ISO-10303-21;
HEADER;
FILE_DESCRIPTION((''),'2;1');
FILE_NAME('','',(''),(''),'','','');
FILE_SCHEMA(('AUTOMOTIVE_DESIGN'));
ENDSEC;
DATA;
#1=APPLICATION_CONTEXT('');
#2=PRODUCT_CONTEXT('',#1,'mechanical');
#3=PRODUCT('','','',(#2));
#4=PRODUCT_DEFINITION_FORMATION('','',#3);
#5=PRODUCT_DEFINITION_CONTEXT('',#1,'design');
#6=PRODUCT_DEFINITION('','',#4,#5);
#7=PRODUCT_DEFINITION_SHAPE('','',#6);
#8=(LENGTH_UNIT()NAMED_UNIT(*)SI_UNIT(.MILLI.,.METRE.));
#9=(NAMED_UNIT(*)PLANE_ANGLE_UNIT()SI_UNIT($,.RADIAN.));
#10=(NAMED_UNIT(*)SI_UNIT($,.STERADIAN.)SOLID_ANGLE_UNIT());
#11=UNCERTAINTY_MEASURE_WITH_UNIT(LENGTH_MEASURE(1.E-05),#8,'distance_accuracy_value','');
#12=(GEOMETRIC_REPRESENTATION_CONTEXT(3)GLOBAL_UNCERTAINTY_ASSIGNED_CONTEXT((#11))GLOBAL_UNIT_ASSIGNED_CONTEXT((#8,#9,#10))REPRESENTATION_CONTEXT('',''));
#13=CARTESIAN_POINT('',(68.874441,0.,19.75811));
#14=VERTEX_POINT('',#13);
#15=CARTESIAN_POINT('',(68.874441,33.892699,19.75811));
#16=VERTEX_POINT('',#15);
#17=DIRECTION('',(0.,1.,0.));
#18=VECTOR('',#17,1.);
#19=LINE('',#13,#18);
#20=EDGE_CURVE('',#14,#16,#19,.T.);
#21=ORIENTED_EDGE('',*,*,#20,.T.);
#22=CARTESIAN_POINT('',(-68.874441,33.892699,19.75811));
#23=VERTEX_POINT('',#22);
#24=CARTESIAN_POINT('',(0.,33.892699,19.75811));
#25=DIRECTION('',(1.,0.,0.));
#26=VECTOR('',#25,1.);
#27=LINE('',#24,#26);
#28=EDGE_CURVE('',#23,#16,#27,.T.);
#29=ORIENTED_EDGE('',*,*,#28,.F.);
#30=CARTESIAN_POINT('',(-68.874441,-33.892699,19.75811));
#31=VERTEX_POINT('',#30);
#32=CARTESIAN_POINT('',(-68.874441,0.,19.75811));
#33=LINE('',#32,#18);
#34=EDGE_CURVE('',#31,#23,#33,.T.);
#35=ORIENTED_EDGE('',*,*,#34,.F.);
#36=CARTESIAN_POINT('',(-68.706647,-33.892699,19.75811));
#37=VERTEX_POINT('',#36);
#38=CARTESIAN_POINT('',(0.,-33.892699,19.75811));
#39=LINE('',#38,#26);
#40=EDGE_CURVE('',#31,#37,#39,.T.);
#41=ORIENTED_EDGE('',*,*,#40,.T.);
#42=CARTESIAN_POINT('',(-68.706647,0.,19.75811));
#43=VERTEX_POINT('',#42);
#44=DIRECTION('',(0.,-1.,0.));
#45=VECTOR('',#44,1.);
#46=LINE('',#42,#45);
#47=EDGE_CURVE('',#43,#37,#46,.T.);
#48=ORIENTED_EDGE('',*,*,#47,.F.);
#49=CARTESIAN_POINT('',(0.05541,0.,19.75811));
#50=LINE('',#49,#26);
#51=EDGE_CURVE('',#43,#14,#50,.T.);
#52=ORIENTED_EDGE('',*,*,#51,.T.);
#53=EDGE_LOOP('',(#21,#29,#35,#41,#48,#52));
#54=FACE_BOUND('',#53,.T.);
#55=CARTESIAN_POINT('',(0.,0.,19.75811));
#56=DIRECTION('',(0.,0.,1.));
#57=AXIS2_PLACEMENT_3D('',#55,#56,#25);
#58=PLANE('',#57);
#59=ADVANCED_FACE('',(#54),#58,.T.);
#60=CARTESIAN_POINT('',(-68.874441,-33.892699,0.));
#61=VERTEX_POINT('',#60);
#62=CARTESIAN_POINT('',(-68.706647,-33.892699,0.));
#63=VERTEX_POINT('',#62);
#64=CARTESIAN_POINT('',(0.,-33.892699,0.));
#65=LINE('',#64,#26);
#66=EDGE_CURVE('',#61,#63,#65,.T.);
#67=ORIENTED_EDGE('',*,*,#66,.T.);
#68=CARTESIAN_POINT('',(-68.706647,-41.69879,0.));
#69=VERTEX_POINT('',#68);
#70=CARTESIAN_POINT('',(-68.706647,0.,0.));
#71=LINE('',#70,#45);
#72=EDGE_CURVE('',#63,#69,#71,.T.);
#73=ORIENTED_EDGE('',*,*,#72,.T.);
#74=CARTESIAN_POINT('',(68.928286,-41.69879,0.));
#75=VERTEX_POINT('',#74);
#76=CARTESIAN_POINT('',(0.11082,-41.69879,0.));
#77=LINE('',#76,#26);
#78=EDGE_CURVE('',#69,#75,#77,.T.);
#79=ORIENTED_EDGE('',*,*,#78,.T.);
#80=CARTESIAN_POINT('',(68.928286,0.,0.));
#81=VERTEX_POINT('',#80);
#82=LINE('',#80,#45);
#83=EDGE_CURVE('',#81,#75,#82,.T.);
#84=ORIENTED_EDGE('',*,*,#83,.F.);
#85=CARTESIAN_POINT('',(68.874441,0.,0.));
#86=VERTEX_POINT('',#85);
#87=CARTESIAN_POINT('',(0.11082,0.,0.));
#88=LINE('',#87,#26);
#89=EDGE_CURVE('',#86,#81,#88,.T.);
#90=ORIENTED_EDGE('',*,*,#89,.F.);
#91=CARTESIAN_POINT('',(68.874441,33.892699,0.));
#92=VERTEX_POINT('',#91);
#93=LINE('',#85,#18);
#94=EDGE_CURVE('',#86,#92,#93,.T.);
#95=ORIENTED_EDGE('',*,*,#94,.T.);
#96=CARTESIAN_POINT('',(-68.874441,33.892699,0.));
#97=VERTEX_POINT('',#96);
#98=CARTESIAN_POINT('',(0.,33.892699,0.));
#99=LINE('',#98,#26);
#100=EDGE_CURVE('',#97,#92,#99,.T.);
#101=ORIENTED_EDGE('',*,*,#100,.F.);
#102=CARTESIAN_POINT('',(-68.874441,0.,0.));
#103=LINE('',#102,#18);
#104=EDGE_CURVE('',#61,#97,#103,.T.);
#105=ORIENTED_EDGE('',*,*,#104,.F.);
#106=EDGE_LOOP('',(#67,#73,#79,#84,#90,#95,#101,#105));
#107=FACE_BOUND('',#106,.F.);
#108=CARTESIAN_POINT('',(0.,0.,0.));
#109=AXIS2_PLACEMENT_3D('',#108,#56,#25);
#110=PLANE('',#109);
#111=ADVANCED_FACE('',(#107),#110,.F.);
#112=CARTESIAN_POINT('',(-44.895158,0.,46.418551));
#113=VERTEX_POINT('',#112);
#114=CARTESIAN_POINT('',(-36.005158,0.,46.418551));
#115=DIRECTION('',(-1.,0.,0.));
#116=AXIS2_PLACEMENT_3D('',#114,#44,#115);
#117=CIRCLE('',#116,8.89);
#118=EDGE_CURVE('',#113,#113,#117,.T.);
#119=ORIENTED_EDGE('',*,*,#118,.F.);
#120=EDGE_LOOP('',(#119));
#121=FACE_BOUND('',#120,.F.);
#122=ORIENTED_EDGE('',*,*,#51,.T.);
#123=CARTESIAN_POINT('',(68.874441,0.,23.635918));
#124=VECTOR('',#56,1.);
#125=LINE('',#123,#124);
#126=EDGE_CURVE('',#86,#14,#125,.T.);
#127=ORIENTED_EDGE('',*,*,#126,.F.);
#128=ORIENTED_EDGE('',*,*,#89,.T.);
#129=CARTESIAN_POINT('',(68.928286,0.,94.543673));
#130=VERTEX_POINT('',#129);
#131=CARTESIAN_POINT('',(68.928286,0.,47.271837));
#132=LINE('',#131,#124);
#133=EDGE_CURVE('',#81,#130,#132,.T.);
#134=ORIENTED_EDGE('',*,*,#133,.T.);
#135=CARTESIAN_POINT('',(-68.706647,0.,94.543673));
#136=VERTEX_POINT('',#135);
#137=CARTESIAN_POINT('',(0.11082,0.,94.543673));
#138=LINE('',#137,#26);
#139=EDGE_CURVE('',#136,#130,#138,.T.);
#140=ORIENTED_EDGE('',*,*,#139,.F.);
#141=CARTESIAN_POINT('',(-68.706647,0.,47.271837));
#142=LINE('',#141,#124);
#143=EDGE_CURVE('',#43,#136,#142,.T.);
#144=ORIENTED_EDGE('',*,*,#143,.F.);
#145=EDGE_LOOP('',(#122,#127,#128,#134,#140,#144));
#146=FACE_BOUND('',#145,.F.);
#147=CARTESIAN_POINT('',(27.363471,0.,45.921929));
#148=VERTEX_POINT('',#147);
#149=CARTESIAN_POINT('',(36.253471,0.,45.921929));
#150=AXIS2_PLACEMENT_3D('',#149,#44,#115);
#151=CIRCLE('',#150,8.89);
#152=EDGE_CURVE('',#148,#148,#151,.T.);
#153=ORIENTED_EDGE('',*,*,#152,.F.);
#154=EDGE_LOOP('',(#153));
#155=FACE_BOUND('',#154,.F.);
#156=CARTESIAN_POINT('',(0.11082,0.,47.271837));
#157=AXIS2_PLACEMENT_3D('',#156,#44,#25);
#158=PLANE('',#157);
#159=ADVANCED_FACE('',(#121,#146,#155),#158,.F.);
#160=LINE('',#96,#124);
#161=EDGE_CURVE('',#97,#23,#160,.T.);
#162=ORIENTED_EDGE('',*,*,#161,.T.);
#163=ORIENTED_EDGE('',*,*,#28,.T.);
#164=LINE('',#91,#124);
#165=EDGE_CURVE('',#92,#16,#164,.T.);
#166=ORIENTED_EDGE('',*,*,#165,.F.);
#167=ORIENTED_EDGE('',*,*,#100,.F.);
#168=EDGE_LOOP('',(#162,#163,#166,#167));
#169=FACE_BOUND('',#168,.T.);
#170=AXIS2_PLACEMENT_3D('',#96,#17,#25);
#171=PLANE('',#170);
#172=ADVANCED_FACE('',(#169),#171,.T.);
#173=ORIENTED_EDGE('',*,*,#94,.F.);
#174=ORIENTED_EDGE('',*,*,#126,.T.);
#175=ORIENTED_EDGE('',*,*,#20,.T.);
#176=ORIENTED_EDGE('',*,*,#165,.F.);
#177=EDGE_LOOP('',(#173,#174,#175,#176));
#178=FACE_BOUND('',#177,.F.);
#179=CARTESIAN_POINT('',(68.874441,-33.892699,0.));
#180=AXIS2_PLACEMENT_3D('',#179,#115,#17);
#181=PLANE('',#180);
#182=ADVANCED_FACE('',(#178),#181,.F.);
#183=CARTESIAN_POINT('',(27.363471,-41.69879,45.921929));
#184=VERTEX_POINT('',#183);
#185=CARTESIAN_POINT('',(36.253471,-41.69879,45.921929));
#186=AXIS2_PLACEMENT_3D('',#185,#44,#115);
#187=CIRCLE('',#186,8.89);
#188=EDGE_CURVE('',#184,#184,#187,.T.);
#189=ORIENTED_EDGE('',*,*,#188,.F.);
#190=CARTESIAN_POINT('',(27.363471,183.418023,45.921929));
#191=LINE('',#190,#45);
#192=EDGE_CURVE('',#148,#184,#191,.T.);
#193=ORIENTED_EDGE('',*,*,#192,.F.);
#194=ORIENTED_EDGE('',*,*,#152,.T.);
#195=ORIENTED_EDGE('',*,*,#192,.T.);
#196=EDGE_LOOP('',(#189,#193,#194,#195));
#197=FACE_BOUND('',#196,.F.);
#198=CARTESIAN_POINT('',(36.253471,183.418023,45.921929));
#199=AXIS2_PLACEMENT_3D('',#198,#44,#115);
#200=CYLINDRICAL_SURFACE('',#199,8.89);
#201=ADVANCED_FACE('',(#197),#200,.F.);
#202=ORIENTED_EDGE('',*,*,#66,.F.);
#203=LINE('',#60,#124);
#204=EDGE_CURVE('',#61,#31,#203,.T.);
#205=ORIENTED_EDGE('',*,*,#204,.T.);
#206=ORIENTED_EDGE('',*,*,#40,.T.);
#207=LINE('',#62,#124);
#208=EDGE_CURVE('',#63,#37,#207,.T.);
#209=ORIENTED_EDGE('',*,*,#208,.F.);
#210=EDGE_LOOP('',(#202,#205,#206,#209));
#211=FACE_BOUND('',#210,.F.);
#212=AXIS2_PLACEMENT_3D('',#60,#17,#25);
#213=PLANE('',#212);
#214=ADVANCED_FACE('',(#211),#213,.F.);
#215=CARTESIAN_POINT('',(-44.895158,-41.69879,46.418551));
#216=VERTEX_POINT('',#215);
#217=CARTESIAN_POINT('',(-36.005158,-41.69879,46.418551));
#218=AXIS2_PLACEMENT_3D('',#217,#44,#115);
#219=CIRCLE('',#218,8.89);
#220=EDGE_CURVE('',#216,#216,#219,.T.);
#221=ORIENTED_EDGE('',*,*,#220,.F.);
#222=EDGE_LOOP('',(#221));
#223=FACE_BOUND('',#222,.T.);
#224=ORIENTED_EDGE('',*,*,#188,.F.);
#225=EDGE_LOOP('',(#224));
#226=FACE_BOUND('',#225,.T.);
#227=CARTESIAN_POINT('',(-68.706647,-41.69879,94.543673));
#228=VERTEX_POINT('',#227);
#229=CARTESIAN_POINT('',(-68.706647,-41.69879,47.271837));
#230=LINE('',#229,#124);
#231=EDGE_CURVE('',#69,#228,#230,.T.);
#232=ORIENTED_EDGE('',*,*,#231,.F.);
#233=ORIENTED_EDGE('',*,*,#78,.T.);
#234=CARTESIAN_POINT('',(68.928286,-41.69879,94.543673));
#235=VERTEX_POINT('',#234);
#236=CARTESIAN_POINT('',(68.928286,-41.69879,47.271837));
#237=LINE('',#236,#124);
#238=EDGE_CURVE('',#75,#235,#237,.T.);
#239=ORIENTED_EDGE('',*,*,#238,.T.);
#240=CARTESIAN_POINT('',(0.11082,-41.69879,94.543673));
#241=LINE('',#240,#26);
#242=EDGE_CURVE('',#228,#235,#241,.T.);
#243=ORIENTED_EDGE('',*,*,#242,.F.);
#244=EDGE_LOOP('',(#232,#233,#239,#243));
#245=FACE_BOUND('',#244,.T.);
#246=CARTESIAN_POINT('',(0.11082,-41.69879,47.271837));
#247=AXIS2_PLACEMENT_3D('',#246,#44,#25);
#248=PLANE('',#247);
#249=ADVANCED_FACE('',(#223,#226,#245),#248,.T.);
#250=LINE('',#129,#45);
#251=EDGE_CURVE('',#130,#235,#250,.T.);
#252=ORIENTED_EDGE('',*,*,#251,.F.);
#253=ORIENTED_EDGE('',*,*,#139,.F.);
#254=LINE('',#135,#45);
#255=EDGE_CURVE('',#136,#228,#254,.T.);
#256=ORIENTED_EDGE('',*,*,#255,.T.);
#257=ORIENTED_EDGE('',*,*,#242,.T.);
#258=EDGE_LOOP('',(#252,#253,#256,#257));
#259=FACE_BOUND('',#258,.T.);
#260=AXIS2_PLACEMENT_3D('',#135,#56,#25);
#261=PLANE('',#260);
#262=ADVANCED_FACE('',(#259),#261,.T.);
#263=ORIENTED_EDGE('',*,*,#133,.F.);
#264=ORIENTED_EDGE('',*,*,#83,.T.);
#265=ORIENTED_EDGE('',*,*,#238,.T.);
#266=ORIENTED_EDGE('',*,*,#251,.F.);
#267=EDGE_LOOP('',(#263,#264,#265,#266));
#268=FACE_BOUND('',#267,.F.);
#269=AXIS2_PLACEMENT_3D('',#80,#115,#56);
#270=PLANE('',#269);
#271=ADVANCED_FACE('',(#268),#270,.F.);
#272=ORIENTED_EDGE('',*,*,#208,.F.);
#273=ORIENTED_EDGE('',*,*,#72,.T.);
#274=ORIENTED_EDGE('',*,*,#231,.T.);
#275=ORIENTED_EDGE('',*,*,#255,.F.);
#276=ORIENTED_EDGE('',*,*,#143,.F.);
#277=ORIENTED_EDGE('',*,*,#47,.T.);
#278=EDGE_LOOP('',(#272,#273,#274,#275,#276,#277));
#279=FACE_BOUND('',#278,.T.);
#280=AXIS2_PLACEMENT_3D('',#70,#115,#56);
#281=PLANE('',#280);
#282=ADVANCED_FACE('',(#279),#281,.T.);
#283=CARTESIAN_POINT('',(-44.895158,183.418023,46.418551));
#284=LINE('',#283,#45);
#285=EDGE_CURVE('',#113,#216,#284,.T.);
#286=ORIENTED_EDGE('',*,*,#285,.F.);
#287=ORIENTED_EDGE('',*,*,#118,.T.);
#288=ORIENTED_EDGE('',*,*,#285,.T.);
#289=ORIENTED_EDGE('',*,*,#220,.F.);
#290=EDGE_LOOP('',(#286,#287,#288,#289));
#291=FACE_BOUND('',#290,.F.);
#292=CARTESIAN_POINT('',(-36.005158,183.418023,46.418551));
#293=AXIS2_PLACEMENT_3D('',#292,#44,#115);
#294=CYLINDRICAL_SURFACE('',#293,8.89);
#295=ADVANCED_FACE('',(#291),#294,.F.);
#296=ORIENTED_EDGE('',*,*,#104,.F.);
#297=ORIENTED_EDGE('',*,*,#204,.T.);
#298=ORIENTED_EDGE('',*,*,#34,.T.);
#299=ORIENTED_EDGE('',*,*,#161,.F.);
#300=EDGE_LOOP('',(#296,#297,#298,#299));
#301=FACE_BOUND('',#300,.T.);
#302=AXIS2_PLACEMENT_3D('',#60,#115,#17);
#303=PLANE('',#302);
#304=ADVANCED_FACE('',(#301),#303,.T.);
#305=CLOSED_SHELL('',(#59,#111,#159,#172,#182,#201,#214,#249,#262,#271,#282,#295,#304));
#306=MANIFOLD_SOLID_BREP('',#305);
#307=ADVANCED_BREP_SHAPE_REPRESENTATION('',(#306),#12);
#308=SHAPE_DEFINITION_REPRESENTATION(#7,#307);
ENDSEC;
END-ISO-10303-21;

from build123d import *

# Parameters (mm, degrees)
F0_W     = 137.7488821745
F0_H     = 67.785397172
F2_DEPTH = 19.75811
F1_W     = 137.6349329948
F1_H     = 94.5436730981
F3_DEPTH = 41.69879
F5_D     = 17.78


with BuildPart() as f2:
    # F0 (on Top) → F2 (new body)
    with BuildSketch(Plane.XY):
        Rectangle(F0_W, F0_H)
    extrude(amount=F2_DEPTH)

    # F1 (on Front) → F3 (join)
    with BuildSketch(Plane.XZ):
        with Locations((0.1108199358, 47.271836549)):
            Rectangle(F1_W, F1_H)
    extrude(amount=F3_DEPTH)

    # F5 (through all)
    with Locations(Plane(origin=(0, 0, 0), x_dir=(1, 0, 0), z_dir=(0, 1, 0))):
        with Locations((-36.0051579773, -46.4185513556), (36.2534709275, -45.9219291806)):
            Hole(F5_D / 2)


solid = f2.part
